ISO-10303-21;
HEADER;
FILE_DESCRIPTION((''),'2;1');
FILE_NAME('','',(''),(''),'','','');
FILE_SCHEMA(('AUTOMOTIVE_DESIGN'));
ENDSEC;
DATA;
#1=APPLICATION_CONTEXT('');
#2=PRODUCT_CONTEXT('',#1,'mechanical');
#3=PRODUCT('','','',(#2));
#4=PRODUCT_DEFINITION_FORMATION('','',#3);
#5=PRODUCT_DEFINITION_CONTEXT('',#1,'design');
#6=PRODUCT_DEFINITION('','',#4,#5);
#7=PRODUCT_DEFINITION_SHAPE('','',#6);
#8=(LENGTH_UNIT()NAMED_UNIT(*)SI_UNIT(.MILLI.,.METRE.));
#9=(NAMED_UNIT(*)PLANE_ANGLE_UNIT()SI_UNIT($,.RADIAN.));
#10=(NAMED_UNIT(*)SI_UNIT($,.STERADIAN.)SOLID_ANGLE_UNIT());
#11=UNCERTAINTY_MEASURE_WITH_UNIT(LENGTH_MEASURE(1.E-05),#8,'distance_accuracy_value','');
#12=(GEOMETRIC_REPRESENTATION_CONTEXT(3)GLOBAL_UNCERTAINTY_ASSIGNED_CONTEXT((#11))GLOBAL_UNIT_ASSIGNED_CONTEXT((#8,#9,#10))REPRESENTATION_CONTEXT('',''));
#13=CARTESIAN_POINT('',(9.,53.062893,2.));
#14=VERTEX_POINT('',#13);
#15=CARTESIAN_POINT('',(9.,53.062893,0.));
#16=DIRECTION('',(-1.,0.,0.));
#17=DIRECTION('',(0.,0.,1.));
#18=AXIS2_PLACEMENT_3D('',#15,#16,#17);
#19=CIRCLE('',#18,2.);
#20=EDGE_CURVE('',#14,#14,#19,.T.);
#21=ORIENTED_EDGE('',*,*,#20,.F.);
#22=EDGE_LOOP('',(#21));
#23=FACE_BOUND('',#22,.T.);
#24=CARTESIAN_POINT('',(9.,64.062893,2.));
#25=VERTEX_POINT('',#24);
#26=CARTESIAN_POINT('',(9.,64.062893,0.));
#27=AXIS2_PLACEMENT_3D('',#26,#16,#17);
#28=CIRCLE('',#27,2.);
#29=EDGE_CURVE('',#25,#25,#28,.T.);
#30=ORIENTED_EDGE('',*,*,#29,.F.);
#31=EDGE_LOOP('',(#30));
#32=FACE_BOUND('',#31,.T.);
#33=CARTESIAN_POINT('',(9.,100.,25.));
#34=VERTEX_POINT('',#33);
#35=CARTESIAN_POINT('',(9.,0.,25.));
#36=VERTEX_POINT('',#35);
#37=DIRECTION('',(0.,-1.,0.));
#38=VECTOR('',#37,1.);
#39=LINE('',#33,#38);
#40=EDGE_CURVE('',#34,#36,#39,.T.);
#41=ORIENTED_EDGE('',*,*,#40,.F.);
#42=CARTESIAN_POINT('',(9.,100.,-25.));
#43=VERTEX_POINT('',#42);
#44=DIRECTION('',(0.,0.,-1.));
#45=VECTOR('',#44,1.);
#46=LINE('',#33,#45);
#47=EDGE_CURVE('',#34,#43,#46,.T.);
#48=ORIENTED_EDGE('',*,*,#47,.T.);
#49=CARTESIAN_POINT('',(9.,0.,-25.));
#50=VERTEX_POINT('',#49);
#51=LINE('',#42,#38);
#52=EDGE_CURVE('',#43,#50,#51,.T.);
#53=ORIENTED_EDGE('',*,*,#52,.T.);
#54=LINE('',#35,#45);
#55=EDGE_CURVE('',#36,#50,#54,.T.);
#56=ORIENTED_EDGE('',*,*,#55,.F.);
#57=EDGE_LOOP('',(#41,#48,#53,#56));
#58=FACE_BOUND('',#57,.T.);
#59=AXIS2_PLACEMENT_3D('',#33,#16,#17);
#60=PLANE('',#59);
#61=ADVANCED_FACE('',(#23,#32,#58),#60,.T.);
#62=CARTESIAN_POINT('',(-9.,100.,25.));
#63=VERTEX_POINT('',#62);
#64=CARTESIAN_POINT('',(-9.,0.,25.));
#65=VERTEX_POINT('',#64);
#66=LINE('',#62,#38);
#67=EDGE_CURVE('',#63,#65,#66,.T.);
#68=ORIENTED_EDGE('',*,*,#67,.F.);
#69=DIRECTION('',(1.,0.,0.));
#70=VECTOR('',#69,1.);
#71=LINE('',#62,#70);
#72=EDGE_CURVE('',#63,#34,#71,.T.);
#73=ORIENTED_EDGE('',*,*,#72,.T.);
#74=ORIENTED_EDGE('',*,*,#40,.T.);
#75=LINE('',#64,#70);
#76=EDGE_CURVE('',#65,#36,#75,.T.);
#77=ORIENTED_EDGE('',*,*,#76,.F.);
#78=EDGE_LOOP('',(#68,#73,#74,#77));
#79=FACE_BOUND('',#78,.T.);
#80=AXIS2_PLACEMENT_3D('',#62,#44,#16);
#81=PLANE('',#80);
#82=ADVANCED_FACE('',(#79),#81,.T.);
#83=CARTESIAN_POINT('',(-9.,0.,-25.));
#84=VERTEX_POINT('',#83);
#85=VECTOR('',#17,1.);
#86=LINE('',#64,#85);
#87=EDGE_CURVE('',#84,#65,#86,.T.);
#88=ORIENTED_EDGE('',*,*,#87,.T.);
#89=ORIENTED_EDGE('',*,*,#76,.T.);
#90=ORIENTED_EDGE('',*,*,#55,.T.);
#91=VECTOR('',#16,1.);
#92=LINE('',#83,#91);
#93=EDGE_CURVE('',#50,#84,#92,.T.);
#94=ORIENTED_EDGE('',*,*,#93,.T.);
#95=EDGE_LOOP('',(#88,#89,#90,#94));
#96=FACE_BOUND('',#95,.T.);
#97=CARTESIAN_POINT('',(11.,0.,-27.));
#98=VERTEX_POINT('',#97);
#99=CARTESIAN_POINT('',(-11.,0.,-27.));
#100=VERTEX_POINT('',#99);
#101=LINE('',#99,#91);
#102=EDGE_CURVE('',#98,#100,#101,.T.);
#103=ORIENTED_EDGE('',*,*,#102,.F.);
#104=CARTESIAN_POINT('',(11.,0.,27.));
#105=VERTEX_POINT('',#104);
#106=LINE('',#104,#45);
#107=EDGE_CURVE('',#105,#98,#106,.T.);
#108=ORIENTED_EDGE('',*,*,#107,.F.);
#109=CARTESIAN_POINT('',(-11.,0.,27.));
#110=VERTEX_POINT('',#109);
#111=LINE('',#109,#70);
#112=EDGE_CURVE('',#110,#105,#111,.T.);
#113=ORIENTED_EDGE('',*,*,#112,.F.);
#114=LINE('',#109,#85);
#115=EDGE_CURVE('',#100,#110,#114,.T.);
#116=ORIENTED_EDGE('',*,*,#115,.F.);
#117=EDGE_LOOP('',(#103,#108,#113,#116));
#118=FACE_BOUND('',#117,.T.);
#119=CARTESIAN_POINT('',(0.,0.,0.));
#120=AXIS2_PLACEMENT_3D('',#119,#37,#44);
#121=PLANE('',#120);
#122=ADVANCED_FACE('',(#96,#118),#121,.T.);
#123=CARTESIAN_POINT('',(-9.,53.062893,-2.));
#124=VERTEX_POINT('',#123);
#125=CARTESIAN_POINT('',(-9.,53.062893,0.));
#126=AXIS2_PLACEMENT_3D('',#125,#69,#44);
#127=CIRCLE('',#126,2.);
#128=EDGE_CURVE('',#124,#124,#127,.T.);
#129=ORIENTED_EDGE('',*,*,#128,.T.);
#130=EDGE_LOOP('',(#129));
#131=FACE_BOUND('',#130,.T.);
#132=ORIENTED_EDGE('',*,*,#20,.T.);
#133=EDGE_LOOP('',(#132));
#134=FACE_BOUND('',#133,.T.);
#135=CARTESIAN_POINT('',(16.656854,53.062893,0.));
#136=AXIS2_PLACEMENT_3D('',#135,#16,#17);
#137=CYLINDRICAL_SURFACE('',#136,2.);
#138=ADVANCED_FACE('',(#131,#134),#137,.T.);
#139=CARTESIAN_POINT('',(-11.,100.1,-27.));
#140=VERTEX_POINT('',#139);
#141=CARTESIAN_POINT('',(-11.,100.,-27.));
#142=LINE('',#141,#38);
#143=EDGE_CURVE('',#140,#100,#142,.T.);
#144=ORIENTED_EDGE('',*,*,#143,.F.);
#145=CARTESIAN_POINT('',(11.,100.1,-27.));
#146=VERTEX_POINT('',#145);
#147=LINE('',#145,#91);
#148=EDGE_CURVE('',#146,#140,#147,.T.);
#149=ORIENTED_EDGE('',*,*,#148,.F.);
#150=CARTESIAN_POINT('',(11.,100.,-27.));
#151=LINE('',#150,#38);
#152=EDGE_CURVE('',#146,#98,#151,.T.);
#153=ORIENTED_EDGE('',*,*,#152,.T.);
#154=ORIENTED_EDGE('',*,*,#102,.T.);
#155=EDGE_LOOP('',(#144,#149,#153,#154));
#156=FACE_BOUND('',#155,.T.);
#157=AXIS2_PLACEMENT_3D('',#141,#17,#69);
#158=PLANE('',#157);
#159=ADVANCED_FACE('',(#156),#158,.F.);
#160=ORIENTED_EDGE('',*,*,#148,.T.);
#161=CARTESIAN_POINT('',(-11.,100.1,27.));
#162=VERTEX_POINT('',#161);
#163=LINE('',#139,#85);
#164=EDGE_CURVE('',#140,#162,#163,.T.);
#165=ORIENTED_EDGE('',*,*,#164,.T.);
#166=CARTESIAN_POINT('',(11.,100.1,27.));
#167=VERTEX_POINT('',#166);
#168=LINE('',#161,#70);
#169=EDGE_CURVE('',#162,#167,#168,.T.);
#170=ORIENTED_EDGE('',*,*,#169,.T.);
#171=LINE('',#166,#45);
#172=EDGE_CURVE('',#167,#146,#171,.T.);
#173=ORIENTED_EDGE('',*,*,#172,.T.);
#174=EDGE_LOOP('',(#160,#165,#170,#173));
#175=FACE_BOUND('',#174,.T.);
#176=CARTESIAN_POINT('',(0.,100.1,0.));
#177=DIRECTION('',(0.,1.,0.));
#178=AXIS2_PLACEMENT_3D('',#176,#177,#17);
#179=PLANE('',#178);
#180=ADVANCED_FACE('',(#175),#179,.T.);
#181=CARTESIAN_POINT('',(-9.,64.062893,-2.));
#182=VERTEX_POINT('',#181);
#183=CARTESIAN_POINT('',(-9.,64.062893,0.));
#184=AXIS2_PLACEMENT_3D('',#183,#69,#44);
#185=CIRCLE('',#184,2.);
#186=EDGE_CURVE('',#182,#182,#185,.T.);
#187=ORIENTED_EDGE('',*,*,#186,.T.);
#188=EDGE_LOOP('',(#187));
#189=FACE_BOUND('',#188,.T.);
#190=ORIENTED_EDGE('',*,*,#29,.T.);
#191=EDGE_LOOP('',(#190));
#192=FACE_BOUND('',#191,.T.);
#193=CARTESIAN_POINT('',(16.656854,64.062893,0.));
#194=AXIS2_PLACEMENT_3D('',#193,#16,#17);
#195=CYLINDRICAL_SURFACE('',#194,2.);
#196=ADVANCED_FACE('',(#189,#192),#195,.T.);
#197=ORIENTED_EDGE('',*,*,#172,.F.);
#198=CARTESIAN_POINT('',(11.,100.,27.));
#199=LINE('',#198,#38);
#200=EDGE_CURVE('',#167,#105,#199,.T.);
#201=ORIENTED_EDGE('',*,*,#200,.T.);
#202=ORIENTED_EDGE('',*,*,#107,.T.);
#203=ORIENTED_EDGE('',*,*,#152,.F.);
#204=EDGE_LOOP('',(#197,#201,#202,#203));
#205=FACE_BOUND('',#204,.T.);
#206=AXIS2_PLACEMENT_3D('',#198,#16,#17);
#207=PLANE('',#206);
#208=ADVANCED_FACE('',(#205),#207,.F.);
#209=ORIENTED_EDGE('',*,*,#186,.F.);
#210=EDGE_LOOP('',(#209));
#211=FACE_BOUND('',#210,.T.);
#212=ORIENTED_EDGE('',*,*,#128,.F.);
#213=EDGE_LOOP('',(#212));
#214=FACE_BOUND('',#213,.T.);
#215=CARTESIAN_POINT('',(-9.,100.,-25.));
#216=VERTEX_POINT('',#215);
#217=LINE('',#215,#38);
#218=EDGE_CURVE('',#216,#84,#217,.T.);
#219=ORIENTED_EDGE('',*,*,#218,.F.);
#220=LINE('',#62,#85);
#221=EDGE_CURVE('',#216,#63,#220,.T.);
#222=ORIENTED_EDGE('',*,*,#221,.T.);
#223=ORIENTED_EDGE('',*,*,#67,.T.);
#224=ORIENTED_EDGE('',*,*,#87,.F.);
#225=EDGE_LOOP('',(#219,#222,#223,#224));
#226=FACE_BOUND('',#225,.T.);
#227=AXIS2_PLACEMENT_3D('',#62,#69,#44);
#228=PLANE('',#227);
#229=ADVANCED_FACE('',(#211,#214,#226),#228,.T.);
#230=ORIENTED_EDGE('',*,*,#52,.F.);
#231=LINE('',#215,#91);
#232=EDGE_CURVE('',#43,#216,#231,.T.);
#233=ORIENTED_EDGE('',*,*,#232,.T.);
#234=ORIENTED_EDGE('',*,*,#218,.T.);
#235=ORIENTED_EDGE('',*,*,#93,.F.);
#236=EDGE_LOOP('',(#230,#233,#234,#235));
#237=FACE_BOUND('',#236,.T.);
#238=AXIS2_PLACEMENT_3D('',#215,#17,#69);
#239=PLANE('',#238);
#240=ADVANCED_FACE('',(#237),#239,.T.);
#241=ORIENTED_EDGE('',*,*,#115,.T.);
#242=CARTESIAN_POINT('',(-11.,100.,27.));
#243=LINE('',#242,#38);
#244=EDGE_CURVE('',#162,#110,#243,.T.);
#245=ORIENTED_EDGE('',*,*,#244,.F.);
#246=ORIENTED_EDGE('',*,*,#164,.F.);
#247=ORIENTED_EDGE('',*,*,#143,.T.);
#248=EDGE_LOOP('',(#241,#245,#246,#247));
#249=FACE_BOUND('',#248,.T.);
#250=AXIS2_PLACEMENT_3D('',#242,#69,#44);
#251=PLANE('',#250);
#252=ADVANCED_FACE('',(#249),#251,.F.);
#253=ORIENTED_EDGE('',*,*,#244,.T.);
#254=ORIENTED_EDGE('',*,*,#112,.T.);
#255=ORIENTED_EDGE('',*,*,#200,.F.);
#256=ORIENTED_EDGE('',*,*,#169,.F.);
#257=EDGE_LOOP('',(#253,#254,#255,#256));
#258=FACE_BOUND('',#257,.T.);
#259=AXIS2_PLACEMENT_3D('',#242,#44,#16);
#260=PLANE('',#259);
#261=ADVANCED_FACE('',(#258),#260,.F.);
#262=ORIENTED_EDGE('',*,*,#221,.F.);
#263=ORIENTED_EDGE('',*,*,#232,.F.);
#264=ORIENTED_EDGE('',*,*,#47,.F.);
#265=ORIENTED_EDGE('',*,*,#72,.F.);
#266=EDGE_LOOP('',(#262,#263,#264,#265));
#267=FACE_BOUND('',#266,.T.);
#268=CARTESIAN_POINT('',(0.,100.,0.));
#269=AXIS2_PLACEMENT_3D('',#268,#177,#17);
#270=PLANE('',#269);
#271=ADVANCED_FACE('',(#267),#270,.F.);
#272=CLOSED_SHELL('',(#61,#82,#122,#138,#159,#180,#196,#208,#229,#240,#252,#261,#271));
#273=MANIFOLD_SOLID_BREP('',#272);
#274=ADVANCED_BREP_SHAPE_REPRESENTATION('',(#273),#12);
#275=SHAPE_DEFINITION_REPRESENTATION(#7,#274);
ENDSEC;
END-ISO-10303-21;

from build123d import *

# Parameters (mm, degrees)
SKETCH_1_W      = 22
SKETCH_1_H      = 54
SKETCH_1_W_2    = 18
SKETCH_1_H_2    = 50
EXTRUDE_1_DEPTH = 100
SKETCH_2_W      = 22
SKETCH_2_H      = 54
EXTRUDE_2_DEPTH = 0.1
SKETCH_3_R      = 2
EXTRUDE_3_DEPTH = 22


with BuildPart() as part:
    # 草图1 → 凸台-拉伸1 (new body)
    with BuildSketch(Plane(origin=(0, 0, 0), x_dir=(1, 0, 0), z_dir=(0, 1, 0))):
        Rectangle(SKETCH_1_W, SKETCH_1_H)
        Rectangle(SKETCH_1_W_2, SKETCH_1_H_2, mode=Mode.SUBTRACT)
    extrude(amount=EXTRUDE_1_DEPTH)

    # 草图2 → 凸台-拉伸2 (add)
    with BuildSketch(Plane(origin=(0, 100, 0), x_dir=(1, 0, 0), z_dir=(0, 1, 0))):
        Rectangle(SKETCH_2_W, SKETCH_2_H)
    extrude(amount=EXTRUDE_2_DEPTH)

    # 草图3 → 凸台-拉伸3 (add)
    with BuildSketch(Plane.ZY.offset(11)):
        with Locations((0, 64.062893105)):
            Circle(SKETCH_3_R)
        with Locations((0, 53.062893105)):
            Circle(SKETCH_3_R)
    extrude(amount=-EXTRUDE_3_DEPTH)


solid = part.part
